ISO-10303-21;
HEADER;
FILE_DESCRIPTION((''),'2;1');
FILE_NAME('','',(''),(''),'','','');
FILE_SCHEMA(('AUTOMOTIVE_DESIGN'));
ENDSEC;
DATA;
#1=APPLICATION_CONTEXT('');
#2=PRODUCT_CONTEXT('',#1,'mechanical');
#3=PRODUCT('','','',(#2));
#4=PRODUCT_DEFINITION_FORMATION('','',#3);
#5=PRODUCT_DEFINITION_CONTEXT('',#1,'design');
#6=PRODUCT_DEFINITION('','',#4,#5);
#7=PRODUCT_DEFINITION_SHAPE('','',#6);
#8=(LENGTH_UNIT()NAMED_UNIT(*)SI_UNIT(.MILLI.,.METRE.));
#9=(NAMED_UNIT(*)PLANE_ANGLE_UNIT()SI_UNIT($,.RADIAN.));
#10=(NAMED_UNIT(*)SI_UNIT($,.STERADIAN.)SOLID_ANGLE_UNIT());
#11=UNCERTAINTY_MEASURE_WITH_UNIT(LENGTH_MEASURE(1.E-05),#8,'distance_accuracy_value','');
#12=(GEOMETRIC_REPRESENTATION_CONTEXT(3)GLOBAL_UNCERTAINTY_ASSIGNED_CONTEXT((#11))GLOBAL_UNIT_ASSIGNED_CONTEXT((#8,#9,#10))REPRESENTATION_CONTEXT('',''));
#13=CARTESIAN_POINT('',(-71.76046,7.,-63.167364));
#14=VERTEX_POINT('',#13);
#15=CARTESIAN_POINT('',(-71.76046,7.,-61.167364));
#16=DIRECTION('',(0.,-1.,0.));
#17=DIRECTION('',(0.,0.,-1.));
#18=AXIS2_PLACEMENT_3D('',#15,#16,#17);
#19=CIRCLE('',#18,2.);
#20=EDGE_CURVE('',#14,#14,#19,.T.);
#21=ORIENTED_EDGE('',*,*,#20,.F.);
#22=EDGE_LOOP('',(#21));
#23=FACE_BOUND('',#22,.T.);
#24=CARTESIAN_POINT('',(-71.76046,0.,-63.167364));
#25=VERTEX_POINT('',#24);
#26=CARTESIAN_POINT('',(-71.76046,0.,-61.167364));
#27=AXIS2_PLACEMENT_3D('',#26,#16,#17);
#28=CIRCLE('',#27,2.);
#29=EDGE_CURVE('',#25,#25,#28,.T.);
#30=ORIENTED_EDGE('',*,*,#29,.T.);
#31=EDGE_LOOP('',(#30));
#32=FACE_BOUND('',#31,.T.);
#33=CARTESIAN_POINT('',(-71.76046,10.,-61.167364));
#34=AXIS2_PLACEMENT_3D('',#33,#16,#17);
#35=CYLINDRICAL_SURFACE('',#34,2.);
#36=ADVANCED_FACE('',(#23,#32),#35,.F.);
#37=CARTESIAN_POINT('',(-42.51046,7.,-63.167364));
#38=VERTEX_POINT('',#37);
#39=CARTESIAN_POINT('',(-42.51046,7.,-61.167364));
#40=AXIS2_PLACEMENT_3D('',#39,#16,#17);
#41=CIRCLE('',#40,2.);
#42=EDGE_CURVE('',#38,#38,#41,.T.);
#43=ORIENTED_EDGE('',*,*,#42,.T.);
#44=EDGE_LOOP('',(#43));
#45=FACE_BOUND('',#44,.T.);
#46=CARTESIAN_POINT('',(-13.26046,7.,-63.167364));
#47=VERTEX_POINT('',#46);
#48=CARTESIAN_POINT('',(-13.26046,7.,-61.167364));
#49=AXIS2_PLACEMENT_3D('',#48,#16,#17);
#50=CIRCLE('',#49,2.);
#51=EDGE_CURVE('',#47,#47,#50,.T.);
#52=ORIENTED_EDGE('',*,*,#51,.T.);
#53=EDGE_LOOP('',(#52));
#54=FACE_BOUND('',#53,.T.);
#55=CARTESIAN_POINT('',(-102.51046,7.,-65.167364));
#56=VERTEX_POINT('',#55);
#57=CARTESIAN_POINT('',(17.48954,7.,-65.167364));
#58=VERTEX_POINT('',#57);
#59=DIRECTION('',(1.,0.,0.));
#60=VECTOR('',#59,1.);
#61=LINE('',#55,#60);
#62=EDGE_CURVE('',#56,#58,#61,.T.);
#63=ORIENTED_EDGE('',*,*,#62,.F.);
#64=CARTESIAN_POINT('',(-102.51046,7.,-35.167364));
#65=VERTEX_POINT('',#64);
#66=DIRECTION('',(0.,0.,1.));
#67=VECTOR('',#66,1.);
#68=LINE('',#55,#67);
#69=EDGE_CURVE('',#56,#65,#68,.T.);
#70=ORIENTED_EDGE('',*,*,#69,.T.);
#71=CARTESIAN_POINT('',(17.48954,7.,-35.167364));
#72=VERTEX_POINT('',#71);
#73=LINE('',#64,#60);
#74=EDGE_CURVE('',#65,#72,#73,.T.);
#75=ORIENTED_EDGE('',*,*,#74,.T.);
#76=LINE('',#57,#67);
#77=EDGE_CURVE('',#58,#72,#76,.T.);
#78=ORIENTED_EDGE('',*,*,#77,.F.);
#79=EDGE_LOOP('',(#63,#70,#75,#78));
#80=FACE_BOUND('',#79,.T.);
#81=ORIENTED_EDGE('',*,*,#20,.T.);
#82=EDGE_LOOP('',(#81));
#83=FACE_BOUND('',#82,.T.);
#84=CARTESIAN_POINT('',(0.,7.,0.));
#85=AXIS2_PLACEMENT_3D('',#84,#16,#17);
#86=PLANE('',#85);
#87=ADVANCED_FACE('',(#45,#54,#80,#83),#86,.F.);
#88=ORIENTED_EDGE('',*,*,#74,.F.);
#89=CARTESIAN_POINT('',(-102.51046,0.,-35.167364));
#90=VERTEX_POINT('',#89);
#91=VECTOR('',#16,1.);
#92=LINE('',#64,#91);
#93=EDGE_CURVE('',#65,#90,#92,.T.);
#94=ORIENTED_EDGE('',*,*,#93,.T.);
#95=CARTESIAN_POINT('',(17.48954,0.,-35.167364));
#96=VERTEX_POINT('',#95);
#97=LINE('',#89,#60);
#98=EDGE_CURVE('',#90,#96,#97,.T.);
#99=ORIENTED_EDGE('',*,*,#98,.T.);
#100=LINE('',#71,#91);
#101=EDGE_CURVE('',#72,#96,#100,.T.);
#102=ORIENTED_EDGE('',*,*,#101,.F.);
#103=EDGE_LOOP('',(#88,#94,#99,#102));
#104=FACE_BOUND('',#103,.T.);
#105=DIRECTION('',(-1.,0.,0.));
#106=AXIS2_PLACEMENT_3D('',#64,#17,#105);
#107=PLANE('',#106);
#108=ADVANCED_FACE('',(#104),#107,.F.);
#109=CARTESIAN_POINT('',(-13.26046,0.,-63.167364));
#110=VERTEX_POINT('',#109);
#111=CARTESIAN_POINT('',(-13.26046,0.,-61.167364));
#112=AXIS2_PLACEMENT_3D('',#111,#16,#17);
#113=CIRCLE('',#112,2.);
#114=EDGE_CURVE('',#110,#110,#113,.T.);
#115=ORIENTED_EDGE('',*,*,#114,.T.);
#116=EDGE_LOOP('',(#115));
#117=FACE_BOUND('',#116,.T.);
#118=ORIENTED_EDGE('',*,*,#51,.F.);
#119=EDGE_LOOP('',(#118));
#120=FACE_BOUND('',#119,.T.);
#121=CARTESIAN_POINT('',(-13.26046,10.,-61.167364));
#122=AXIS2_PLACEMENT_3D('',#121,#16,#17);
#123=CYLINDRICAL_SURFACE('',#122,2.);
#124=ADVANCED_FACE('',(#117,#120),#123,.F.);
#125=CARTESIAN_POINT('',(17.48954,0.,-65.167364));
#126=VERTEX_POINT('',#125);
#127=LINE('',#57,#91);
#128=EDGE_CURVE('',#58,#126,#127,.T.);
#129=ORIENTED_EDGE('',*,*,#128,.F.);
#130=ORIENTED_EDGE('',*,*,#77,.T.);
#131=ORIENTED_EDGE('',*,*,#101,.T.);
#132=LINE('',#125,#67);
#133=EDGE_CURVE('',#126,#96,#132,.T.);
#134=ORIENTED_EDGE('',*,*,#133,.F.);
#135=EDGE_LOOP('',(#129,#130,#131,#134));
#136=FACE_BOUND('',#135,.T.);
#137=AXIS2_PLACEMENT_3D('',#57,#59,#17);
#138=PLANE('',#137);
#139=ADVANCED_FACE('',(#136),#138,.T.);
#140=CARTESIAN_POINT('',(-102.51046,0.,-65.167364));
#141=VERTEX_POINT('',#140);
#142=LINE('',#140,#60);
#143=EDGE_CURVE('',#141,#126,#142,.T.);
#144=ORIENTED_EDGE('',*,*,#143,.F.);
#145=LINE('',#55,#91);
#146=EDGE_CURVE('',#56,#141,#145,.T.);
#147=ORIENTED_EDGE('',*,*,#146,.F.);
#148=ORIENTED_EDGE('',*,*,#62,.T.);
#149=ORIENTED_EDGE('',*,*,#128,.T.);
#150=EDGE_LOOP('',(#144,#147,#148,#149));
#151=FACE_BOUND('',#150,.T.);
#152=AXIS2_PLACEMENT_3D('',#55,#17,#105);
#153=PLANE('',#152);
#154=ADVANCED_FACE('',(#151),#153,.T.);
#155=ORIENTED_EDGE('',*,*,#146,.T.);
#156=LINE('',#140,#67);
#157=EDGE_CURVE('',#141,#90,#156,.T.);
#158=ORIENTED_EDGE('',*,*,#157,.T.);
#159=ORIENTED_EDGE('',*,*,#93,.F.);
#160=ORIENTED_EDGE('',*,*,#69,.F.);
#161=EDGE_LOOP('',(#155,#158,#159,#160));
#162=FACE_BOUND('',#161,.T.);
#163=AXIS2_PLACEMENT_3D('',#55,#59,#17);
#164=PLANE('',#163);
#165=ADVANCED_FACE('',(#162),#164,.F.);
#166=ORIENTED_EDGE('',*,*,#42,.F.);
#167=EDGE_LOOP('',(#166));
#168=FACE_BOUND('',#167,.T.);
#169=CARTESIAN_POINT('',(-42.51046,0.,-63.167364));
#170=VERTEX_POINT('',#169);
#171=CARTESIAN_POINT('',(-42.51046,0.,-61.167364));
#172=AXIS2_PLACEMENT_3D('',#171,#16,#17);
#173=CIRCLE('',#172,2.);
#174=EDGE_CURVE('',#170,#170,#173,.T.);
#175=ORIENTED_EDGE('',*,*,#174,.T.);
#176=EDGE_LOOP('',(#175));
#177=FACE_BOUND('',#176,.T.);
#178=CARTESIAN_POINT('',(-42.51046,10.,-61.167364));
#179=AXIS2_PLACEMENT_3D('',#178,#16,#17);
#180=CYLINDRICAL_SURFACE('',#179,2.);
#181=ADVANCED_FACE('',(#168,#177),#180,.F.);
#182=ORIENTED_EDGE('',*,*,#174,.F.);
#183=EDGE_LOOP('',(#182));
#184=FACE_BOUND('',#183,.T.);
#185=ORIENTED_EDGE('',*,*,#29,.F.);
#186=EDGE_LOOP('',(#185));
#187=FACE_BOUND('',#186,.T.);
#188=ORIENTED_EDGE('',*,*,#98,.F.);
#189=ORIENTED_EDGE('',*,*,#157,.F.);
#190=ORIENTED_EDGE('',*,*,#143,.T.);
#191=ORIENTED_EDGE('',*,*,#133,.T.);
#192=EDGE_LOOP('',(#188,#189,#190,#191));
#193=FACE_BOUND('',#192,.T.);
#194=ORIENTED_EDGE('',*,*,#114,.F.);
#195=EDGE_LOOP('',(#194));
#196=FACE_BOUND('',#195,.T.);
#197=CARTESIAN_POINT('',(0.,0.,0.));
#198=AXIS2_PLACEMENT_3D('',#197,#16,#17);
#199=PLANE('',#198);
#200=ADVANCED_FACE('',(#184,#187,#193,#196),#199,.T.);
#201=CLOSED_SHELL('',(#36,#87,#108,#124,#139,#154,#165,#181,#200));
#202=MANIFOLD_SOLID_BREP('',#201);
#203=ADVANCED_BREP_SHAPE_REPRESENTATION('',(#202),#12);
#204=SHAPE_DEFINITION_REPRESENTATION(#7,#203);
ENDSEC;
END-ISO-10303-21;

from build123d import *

# Parameters (mm, degrees)
SKETCH1_W           = 120
SKETCH1_H           = 30
BOSS_EXTRUDE1_DEPTH = 7
SKETCH2_R           = 2
CUT_EXTRUDE1_DEPTH  = 10


with BuildPart() as part:
    # Sketch1 → Boss-Extrude1 (new body)
    with BuildSketch(Plane(origin=(0, 0, 0), x_dir=(1, 0, 0), z_dir=(0, 1, 0))):
        with Locations((-42.510460251, 50.167364017)):
            Rectangle(SKETCH1_W, SKETCH1_H)
    extrude(amount=BOSS_EXTRUDE1_DEPTH)

    # Sketch2 → Cut-Extrude1 (cut)
    with BuildSketch(Plane.XZ):
        with Locations((-71.760460251, -61.167364017)):
            Circle(SKETCH2_R)
        with Locations((-42.510460251, -61.167364017)):
            Circle(SKETCH2_R)
        with Locations((-13.260460251, -61.167364017)):
            Circle(SKETCH2_R)
    extrude(amount=-CUT_EXTRUDE1_DEPTH, mode=Mode.SUBTRACT)


solid = part.part
